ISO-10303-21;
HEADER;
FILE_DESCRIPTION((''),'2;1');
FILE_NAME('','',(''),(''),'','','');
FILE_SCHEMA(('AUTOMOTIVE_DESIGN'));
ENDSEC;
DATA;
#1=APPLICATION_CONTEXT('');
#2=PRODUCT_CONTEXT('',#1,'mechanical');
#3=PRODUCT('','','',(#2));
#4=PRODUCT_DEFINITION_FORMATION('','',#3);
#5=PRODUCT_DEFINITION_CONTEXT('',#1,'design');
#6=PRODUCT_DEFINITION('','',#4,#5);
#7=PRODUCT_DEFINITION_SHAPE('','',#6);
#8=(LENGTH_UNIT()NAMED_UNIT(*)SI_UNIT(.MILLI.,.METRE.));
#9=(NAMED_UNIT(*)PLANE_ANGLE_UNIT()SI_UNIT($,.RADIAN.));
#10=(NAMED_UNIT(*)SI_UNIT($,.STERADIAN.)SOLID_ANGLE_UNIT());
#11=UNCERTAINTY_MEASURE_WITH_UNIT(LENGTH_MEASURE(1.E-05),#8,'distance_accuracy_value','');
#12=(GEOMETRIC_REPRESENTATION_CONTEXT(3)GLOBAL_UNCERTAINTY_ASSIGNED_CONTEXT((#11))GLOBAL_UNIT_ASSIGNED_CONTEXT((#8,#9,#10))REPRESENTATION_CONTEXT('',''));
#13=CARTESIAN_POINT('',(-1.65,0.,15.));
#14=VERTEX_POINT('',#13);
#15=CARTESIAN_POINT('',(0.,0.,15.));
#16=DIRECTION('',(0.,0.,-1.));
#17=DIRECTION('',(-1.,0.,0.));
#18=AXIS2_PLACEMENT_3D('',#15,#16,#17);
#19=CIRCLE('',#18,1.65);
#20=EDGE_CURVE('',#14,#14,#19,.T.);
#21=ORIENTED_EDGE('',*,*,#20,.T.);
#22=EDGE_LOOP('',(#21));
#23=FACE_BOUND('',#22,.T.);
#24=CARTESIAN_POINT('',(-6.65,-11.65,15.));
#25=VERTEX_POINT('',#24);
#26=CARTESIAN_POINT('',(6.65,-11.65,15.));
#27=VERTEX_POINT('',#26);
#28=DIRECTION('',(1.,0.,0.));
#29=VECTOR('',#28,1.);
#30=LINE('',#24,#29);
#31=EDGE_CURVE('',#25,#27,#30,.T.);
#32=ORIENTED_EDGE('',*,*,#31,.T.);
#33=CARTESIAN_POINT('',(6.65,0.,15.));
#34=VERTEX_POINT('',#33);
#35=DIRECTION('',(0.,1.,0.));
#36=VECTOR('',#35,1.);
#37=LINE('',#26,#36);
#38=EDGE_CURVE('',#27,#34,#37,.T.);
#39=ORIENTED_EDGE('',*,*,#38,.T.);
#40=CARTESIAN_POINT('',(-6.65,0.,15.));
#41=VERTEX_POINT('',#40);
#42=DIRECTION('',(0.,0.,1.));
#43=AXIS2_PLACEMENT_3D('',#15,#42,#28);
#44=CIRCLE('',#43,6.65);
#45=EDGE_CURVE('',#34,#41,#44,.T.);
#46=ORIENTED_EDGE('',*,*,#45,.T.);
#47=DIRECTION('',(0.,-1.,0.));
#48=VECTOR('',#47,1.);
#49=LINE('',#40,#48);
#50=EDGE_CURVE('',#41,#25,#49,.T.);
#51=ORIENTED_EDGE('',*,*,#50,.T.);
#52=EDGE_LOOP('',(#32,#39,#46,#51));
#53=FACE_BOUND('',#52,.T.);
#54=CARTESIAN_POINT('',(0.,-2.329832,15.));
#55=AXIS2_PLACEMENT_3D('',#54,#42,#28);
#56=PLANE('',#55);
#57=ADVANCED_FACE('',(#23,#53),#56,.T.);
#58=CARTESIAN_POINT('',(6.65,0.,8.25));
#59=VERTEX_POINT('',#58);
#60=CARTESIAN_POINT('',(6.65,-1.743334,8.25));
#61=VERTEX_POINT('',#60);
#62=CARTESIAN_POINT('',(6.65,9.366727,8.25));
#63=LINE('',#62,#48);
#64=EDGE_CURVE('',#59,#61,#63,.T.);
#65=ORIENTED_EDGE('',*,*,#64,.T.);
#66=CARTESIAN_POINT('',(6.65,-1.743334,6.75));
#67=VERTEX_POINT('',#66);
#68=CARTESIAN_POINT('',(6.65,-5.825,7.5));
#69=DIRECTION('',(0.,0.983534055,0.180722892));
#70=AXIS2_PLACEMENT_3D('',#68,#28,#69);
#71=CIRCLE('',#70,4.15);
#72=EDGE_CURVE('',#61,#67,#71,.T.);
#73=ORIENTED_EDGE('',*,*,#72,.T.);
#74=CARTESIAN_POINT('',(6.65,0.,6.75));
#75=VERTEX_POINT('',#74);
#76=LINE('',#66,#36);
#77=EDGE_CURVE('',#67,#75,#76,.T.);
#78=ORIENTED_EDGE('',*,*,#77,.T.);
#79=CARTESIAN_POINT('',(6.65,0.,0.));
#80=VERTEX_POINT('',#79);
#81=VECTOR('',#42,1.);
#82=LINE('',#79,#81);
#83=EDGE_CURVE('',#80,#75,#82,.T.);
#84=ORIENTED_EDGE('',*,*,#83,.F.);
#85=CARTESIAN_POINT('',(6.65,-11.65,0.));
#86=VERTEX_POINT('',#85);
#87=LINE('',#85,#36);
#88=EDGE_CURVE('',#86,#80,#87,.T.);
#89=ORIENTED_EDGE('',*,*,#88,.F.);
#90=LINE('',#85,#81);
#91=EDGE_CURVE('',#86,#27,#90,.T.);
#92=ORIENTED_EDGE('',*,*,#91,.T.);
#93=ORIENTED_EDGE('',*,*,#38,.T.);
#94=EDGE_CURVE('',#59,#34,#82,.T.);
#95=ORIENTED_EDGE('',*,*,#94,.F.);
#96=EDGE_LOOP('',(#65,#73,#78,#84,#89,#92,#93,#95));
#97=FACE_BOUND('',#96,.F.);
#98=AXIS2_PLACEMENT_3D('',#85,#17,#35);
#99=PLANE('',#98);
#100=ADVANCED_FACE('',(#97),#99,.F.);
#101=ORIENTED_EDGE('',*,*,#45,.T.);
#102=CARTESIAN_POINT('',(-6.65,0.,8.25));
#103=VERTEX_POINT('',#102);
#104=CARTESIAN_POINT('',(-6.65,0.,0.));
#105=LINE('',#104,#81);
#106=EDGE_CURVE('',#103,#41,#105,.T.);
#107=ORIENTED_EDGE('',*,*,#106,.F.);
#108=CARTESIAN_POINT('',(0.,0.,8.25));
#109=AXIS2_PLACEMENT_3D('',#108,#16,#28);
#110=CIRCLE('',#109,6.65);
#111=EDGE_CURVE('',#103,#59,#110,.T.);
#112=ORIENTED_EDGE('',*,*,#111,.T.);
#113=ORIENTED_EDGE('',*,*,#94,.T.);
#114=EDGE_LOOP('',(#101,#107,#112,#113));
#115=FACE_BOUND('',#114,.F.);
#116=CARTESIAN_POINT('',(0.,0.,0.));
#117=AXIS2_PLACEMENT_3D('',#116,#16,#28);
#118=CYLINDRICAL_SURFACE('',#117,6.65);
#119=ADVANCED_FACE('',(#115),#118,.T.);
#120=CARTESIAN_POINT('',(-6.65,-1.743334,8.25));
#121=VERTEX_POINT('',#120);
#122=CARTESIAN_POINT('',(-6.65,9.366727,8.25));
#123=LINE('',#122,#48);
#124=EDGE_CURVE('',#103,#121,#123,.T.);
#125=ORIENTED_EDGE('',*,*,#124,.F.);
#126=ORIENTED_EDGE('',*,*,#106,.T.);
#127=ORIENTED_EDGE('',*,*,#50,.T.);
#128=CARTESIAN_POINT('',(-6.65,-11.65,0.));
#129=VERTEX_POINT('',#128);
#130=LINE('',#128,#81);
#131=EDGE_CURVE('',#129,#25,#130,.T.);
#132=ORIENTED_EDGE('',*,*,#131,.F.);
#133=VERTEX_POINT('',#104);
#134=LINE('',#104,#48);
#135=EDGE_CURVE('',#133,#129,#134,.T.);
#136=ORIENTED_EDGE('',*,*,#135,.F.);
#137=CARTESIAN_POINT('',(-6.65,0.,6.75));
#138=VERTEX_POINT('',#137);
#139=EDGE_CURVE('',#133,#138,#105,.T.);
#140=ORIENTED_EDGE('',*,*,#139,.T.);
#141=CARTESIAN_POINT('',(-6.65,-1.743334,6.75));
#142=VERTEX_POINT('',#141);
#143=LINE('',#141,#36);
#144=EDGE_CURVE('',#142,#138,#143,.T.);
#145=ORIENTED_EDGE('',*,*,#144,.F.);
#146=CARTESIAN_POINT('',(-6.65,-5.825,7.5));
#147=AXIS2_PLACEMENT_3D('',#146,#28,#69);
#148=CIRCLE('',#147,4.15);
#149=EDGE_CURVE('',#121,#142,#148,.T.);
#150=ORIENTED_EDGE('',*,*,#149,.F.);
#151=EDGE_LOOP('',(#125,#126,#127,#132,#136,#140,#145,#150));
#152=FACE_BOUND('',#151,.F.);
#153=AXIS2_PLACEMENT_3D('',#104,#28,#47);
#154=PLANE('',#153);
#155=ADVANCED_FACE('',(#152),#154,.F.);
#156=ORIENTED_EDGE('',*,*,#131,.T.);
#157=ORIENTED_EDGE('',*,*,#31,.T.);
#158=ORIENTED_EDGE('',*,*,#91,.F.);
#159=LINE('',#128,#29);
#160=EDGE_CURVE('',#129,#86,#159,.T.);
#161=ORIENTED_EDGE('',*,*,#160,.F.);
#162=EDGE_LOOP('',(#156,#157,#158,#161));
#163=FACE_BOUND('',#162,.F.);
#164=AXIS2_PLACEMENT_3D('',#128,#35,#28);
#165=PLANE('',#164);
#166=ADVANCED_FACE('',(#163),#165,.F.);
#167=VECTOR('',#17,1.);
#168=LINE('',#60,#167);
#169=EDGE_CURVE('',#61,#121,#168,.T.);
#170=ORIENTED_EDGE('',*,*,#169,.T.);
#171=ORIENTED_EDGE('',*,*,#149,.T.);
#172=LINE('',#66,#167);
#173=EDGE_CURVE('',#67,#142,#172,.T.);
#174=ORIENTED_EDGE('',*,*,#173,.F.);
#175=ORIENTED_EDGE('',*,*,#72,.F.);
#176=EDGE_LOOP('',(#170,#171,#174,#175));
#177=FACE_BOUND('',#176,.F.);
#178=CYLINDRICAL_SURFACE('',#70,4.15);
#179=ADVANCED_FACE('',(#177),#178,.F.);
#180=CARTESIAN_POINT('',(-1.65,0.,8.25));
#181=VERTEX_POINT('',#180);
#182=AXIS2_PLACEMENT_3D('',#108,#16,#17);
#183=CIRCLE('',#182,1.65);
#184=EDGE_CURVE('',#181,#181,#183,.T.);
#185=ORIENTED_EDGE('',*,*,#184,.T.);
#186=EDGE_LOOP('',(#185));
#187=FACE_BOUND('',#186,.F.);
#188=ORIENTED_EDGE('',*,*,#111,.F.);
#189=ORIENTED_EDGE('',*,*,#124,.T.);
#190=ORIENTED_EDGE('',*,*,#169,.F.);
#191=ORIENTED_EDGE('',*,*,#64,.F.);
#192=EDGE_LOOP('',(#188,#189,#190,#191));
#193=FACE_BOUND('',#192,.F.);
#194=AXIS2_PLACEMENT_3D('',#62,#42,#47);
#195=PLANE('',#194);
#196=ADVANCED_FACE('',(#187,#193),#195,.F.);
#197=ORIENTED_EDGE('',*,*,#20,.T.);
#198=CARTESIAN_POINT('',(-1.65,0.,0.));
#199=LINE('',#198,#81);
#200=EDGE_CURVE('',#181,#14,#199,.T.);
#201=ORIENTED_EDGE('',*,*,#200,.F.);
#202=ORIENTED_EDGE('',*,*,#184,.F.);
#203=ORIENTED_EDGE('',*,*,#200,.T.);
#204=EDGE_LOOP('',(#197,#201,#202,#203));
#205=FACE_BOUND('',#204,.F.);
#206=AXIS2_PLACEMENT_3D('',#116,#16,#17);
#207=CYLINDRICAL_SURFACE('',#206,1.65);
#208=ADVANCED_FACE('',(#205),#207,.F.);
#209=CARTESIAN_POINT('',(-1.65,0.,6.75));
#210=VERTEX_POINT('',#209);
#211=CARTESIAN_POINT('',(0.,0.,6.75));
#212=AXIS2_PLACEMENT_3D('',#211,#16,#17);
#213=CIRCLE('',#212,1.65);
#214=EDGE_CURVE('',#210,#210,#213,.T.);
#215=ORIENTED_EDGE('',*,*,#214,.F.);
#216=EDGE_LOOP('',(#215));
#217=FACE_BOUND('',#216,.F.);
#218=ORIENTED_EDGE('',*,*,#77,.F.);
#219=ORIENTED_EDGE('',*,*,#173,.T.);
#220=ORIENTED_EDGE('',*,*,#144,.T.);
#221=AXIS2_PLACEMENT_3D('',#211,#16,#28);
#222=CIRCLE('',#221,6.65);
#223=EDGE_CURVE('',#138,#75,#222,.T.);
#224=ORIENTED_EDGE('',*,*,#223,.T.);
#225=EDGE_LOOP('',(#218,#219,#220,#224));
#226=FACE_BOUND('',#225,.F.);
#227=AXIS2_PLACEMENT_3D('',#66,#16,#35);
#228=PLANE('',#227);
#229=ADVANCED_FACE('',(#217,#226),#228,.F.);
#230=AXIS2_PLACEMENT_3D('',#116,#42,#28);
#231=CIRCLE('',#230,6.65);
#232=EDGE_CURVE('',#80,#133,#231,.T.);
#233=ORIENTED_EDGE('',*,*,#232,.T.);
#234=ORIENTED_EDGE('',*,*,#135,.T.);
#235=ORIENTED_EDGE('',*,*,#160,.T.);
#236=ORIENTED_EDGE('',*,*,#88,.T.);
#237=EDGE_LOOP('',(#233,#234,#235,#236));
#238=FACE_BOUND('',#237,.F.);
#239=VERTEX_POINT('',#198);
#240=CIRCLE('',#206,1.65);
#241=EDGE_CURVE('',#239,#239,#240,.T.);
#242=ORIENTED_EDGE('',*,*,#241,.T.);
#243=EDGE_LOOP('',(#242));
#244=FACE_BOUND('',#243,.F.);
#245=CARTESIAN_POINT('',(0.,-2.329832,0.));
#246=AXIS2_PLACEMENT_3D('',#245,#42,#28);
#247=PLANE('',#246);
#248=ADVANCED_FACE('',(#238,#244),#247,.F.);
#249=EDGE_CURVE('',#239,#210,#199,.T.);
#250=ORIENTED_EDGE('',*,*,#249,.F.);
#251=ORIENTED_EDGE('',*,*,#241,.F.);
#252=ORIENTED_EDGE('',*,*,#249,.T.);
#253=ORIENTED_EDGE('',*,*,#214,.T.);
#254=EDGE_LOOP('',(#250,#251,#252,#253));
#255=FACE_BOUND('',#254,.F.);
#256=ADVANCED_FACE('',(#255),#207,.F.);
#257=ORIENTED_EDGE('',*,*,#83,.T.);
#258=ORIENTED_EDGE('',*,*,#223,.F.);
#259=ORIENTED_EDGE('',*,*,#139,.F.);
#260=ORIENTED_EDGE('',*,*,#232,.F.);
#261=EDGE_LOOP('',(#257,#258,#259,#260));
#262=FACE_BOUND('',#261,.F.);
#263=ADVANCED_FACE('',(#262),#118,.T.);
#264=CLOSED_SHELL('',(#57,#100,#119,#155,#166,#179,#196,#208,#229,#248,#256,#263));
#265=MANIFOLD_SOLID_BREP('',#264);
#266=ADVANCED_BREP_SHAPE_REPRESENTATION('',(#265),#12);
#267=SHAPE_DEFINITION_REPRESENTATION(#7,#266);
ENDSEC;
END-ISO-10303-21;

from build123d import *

# Parameters (mm, degrees)
F1_DEPTH = 15
F3_DEPTH = 13.3


with BuildPart() as f1:
    # F0 (on Top) → F1 (new body)
    with BuildSketch(Plane.XY):
        with BuildLine():
            Line((6.65, 0), (1.65, 0))
            ThreePointArc((1.65, 0), (0, -1.65), (-1.65, 0))
            Line((-1.65, 0), (-6.65, 0))
            ThreePointArc((-6.65, 0), (0, -6.65), (6.65, 0))
        make_face()
        with BuildLine():
            ThreePointArc((-1.65, 0), (0, 1.65), (1.65, 0))
            Line((1.65, 0), (6.65, 0))
            ThreePointArc((6.65, 0), (0, 6.65), (-6.65, 0))
            Line((-6.65, 0), (-1.65, 0))
        make_face()
        with BuildLine():
            Line((6.65, -11.65), (6.65, 0))
            ThreePointArc((6.65, 0), (0, -6.65), (-6.65, 0))
            Line((-6.65, 0), (-6.65, -11.65))
            Line((-6.65, -11.65), (6.65, -11.65))
        make_face()
    extrude(amount=F1_DEPTH)

    # F2 (on face) → F3 (cut, through all)
    with BuildSketch(Plane.YZ.offset(6.65)):
        with BuildLine():
            ThreePointArc((-1.7433336736, 6.75), (-1.6921187257, 7.1234467199), (-1.675, 7.5))
            ThreePointArc((-1.675, 7.5), (-1.6921187257, 7.8765532801), (-1.7433336736, 8.25))
            Line((-1.7433336736, 8.25), (-1.7433336736, 6.75))
        make_face()
        with BuildLine():
            ThreePointArc((-1.7433336736, 8.25), (-1.6921187257, 7.8765532801), (-1.675, 7.5))
            ThreePointArc((-1.675, 7.5), (-1.6921187257, 7.1234467199), (-1.7433336736, 6.75))
            Line((-1.7433336736, 6.75), (9.3667274341, 6.75))
            Line((9.3667274341, 6.75), (9.3667274341, 8.25))
            Line((9.3667274341, 8.25), (-1.7433336736, 8.25))
        make_face()
        with BuildLine():
            Line((-1.7433336736, 6.75), (-1.7433336736, 8.25))
            ThreePointArc((-1.7433336736, 8.25), (-9.975, 7.5), (-1.7433336736, 6.75))
        make_face()
    extrude(amount=-F3_DEPTH, mode=Mode.SUBTRACT)


solid = f1.part
